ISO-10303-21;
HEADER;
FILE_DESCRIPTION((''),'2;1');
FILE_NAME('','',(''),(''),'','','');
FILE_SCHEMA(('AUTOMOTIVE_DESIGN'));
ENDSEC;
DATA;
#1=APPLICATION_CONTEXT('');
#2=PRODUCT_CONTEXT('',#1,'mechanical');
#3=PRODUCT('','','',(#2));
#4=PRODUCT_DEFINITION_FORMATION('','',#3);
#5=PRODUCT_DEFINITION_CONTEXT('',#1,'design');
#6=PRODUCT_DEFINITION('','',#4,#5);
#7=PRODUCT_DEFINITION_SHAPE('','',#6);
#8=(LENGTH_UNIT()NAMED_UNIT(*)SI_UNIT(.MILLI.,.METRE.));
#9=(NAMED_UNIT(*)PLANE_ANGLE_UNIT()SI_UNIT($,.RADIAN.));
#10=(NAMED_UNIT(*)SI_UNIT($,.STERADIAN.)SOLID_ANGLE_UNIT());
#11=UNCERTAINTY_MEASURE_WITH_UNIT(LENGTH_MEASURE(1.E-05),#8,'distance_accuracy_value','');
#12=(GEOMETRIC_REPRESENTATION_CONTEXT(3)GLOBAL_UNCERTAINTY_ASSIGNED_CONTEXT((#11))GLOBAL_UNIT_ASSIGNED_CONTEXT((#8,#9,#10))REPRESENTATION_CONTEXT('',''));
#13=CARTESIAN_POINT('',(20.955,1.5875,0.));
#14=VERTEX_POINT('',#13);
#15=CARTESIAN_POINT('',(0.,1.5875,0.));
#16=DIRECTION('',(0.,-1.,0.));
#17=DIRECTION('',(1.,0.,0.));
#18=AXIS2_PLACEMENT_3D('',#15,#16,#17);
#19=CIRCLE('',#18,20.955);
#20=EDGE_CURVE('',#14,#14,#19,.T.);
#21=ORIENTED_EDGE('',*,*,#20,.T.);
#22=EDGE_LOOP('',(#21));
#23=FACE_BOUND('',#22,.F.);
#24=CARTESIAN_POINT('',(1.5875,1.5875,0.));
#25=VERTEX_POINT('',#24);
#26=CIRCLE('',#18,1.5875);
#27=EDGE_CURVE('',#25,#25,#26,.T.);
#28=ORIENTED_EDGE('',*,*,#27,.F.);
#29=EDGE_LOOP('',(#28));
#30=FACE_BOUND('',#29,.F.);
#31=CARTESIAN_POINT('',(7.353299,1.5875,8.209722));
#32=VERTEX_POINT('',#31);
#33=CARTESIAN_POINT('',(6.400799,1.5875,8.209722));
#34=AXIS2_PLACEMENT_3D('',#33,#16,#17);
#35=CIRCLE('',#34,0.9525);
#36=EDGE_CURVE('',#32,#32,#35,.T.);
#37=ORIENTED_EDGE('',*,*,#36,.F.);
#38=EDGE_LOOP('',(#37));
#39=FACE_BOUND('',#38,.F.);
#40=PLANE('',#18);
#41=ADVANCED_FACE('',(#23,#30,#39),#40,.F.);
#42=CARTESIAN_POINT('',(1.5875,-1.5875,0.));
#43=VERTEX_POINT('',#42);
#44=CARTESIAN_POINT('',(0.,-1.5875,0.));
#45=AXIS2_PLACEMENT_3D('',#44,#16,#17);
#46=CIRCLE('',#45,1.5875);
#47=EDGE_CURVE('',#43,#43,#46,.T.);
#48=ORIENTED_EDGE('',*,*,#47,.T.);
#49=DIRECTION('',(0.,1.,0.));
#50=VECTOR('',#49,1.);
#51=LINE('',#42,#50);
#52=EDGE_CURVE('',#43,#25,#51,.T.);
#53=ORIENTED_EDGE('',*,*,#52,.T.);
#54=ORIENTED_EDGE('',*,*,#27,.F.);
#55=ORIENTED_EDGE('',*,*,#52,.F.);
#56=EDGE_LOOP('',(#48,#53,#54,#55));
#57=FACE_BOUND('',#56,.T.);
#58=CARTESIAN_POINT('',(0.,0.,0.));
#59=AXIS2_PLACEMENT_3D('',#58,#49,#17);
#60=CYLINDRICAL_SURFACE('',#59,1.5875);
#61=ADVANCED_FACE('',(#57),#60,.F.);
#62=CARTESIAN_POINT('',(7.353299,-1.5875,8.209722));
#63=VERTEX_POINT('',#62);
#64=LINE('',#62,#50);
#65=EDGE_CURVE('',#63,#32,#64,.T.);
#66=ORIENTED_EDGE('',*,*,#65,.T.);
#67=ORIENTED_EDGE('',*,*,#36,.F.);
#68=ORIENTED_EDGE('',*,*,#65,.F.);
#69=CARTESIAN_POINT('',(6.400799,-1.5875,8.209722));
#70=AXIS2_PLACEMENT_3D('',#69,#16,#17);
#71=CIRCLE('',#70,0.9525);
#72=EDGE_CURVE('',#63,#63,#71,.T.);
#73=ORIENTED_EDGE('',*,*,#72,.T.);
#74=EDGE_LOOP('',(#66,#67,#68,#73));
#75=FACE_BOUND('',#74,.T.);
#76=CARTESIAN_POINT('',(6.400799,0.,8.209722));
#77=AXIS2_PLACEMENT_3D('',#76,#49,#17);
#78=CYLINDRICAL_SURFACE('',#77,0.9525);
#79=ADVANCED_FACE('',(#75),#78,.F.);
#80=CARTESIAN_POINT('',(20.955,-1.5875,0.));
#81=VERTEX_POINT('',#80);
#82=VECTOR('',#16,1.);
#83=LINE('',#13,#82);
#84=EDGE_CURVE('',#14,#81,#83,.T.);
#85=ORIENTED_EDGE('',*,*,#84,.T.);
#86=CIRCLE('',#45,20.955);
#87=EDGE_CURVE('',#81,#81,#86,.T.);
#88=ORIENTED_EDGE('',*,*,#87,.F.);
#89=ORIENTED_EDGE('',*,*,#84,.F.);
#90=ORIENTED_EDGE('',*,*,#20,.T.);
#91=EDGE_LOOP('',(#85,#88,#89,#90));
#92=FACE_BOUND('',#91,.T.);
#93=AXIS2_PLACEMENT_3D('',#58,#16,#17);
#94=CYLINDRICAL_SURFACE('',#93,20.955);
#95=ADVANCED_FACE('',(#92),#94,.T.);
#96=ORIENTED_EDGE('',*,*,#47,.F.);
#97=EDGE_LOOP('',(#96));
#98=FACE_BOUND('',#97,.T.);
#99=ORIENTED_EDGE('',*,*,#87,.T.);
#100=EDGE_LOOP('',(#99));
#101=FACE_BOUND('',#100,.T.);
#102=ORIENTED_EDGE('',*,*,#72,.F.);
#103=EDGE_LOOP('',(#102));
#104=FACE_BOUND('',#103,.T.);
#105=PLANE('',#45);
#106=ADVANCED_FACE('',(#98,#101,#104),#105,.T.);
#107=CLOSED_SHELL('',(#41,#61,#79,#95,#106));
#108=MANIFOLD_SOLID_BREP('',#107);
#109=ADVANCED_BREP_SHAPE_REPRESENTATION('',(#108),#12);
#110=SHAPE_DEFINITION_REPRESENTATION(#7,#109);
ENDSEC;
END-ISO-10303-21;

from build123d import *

# Parameters (mm, degrees)
F0_R     = 20.955
F0_R_2   = 1.5875
F0_R_3   = 0.9525
F1_DEPTH = 1.5875


with BuildPart() as f1:
    # F0 (on Front) → F1 (new body, symmetric)
    with BuildSketch(Plane.XZ):
        Circle(F0_R)
        Circle(F0_R_2, mode=Mode.SUBTRACT)
        with Locations((6.400799, 8.209722)):
            Circle(F0_R_3, mode=Mode.SUBTRACT)
    extrude(amount=F1_DEPTH, both=True)


solid = f1.part
